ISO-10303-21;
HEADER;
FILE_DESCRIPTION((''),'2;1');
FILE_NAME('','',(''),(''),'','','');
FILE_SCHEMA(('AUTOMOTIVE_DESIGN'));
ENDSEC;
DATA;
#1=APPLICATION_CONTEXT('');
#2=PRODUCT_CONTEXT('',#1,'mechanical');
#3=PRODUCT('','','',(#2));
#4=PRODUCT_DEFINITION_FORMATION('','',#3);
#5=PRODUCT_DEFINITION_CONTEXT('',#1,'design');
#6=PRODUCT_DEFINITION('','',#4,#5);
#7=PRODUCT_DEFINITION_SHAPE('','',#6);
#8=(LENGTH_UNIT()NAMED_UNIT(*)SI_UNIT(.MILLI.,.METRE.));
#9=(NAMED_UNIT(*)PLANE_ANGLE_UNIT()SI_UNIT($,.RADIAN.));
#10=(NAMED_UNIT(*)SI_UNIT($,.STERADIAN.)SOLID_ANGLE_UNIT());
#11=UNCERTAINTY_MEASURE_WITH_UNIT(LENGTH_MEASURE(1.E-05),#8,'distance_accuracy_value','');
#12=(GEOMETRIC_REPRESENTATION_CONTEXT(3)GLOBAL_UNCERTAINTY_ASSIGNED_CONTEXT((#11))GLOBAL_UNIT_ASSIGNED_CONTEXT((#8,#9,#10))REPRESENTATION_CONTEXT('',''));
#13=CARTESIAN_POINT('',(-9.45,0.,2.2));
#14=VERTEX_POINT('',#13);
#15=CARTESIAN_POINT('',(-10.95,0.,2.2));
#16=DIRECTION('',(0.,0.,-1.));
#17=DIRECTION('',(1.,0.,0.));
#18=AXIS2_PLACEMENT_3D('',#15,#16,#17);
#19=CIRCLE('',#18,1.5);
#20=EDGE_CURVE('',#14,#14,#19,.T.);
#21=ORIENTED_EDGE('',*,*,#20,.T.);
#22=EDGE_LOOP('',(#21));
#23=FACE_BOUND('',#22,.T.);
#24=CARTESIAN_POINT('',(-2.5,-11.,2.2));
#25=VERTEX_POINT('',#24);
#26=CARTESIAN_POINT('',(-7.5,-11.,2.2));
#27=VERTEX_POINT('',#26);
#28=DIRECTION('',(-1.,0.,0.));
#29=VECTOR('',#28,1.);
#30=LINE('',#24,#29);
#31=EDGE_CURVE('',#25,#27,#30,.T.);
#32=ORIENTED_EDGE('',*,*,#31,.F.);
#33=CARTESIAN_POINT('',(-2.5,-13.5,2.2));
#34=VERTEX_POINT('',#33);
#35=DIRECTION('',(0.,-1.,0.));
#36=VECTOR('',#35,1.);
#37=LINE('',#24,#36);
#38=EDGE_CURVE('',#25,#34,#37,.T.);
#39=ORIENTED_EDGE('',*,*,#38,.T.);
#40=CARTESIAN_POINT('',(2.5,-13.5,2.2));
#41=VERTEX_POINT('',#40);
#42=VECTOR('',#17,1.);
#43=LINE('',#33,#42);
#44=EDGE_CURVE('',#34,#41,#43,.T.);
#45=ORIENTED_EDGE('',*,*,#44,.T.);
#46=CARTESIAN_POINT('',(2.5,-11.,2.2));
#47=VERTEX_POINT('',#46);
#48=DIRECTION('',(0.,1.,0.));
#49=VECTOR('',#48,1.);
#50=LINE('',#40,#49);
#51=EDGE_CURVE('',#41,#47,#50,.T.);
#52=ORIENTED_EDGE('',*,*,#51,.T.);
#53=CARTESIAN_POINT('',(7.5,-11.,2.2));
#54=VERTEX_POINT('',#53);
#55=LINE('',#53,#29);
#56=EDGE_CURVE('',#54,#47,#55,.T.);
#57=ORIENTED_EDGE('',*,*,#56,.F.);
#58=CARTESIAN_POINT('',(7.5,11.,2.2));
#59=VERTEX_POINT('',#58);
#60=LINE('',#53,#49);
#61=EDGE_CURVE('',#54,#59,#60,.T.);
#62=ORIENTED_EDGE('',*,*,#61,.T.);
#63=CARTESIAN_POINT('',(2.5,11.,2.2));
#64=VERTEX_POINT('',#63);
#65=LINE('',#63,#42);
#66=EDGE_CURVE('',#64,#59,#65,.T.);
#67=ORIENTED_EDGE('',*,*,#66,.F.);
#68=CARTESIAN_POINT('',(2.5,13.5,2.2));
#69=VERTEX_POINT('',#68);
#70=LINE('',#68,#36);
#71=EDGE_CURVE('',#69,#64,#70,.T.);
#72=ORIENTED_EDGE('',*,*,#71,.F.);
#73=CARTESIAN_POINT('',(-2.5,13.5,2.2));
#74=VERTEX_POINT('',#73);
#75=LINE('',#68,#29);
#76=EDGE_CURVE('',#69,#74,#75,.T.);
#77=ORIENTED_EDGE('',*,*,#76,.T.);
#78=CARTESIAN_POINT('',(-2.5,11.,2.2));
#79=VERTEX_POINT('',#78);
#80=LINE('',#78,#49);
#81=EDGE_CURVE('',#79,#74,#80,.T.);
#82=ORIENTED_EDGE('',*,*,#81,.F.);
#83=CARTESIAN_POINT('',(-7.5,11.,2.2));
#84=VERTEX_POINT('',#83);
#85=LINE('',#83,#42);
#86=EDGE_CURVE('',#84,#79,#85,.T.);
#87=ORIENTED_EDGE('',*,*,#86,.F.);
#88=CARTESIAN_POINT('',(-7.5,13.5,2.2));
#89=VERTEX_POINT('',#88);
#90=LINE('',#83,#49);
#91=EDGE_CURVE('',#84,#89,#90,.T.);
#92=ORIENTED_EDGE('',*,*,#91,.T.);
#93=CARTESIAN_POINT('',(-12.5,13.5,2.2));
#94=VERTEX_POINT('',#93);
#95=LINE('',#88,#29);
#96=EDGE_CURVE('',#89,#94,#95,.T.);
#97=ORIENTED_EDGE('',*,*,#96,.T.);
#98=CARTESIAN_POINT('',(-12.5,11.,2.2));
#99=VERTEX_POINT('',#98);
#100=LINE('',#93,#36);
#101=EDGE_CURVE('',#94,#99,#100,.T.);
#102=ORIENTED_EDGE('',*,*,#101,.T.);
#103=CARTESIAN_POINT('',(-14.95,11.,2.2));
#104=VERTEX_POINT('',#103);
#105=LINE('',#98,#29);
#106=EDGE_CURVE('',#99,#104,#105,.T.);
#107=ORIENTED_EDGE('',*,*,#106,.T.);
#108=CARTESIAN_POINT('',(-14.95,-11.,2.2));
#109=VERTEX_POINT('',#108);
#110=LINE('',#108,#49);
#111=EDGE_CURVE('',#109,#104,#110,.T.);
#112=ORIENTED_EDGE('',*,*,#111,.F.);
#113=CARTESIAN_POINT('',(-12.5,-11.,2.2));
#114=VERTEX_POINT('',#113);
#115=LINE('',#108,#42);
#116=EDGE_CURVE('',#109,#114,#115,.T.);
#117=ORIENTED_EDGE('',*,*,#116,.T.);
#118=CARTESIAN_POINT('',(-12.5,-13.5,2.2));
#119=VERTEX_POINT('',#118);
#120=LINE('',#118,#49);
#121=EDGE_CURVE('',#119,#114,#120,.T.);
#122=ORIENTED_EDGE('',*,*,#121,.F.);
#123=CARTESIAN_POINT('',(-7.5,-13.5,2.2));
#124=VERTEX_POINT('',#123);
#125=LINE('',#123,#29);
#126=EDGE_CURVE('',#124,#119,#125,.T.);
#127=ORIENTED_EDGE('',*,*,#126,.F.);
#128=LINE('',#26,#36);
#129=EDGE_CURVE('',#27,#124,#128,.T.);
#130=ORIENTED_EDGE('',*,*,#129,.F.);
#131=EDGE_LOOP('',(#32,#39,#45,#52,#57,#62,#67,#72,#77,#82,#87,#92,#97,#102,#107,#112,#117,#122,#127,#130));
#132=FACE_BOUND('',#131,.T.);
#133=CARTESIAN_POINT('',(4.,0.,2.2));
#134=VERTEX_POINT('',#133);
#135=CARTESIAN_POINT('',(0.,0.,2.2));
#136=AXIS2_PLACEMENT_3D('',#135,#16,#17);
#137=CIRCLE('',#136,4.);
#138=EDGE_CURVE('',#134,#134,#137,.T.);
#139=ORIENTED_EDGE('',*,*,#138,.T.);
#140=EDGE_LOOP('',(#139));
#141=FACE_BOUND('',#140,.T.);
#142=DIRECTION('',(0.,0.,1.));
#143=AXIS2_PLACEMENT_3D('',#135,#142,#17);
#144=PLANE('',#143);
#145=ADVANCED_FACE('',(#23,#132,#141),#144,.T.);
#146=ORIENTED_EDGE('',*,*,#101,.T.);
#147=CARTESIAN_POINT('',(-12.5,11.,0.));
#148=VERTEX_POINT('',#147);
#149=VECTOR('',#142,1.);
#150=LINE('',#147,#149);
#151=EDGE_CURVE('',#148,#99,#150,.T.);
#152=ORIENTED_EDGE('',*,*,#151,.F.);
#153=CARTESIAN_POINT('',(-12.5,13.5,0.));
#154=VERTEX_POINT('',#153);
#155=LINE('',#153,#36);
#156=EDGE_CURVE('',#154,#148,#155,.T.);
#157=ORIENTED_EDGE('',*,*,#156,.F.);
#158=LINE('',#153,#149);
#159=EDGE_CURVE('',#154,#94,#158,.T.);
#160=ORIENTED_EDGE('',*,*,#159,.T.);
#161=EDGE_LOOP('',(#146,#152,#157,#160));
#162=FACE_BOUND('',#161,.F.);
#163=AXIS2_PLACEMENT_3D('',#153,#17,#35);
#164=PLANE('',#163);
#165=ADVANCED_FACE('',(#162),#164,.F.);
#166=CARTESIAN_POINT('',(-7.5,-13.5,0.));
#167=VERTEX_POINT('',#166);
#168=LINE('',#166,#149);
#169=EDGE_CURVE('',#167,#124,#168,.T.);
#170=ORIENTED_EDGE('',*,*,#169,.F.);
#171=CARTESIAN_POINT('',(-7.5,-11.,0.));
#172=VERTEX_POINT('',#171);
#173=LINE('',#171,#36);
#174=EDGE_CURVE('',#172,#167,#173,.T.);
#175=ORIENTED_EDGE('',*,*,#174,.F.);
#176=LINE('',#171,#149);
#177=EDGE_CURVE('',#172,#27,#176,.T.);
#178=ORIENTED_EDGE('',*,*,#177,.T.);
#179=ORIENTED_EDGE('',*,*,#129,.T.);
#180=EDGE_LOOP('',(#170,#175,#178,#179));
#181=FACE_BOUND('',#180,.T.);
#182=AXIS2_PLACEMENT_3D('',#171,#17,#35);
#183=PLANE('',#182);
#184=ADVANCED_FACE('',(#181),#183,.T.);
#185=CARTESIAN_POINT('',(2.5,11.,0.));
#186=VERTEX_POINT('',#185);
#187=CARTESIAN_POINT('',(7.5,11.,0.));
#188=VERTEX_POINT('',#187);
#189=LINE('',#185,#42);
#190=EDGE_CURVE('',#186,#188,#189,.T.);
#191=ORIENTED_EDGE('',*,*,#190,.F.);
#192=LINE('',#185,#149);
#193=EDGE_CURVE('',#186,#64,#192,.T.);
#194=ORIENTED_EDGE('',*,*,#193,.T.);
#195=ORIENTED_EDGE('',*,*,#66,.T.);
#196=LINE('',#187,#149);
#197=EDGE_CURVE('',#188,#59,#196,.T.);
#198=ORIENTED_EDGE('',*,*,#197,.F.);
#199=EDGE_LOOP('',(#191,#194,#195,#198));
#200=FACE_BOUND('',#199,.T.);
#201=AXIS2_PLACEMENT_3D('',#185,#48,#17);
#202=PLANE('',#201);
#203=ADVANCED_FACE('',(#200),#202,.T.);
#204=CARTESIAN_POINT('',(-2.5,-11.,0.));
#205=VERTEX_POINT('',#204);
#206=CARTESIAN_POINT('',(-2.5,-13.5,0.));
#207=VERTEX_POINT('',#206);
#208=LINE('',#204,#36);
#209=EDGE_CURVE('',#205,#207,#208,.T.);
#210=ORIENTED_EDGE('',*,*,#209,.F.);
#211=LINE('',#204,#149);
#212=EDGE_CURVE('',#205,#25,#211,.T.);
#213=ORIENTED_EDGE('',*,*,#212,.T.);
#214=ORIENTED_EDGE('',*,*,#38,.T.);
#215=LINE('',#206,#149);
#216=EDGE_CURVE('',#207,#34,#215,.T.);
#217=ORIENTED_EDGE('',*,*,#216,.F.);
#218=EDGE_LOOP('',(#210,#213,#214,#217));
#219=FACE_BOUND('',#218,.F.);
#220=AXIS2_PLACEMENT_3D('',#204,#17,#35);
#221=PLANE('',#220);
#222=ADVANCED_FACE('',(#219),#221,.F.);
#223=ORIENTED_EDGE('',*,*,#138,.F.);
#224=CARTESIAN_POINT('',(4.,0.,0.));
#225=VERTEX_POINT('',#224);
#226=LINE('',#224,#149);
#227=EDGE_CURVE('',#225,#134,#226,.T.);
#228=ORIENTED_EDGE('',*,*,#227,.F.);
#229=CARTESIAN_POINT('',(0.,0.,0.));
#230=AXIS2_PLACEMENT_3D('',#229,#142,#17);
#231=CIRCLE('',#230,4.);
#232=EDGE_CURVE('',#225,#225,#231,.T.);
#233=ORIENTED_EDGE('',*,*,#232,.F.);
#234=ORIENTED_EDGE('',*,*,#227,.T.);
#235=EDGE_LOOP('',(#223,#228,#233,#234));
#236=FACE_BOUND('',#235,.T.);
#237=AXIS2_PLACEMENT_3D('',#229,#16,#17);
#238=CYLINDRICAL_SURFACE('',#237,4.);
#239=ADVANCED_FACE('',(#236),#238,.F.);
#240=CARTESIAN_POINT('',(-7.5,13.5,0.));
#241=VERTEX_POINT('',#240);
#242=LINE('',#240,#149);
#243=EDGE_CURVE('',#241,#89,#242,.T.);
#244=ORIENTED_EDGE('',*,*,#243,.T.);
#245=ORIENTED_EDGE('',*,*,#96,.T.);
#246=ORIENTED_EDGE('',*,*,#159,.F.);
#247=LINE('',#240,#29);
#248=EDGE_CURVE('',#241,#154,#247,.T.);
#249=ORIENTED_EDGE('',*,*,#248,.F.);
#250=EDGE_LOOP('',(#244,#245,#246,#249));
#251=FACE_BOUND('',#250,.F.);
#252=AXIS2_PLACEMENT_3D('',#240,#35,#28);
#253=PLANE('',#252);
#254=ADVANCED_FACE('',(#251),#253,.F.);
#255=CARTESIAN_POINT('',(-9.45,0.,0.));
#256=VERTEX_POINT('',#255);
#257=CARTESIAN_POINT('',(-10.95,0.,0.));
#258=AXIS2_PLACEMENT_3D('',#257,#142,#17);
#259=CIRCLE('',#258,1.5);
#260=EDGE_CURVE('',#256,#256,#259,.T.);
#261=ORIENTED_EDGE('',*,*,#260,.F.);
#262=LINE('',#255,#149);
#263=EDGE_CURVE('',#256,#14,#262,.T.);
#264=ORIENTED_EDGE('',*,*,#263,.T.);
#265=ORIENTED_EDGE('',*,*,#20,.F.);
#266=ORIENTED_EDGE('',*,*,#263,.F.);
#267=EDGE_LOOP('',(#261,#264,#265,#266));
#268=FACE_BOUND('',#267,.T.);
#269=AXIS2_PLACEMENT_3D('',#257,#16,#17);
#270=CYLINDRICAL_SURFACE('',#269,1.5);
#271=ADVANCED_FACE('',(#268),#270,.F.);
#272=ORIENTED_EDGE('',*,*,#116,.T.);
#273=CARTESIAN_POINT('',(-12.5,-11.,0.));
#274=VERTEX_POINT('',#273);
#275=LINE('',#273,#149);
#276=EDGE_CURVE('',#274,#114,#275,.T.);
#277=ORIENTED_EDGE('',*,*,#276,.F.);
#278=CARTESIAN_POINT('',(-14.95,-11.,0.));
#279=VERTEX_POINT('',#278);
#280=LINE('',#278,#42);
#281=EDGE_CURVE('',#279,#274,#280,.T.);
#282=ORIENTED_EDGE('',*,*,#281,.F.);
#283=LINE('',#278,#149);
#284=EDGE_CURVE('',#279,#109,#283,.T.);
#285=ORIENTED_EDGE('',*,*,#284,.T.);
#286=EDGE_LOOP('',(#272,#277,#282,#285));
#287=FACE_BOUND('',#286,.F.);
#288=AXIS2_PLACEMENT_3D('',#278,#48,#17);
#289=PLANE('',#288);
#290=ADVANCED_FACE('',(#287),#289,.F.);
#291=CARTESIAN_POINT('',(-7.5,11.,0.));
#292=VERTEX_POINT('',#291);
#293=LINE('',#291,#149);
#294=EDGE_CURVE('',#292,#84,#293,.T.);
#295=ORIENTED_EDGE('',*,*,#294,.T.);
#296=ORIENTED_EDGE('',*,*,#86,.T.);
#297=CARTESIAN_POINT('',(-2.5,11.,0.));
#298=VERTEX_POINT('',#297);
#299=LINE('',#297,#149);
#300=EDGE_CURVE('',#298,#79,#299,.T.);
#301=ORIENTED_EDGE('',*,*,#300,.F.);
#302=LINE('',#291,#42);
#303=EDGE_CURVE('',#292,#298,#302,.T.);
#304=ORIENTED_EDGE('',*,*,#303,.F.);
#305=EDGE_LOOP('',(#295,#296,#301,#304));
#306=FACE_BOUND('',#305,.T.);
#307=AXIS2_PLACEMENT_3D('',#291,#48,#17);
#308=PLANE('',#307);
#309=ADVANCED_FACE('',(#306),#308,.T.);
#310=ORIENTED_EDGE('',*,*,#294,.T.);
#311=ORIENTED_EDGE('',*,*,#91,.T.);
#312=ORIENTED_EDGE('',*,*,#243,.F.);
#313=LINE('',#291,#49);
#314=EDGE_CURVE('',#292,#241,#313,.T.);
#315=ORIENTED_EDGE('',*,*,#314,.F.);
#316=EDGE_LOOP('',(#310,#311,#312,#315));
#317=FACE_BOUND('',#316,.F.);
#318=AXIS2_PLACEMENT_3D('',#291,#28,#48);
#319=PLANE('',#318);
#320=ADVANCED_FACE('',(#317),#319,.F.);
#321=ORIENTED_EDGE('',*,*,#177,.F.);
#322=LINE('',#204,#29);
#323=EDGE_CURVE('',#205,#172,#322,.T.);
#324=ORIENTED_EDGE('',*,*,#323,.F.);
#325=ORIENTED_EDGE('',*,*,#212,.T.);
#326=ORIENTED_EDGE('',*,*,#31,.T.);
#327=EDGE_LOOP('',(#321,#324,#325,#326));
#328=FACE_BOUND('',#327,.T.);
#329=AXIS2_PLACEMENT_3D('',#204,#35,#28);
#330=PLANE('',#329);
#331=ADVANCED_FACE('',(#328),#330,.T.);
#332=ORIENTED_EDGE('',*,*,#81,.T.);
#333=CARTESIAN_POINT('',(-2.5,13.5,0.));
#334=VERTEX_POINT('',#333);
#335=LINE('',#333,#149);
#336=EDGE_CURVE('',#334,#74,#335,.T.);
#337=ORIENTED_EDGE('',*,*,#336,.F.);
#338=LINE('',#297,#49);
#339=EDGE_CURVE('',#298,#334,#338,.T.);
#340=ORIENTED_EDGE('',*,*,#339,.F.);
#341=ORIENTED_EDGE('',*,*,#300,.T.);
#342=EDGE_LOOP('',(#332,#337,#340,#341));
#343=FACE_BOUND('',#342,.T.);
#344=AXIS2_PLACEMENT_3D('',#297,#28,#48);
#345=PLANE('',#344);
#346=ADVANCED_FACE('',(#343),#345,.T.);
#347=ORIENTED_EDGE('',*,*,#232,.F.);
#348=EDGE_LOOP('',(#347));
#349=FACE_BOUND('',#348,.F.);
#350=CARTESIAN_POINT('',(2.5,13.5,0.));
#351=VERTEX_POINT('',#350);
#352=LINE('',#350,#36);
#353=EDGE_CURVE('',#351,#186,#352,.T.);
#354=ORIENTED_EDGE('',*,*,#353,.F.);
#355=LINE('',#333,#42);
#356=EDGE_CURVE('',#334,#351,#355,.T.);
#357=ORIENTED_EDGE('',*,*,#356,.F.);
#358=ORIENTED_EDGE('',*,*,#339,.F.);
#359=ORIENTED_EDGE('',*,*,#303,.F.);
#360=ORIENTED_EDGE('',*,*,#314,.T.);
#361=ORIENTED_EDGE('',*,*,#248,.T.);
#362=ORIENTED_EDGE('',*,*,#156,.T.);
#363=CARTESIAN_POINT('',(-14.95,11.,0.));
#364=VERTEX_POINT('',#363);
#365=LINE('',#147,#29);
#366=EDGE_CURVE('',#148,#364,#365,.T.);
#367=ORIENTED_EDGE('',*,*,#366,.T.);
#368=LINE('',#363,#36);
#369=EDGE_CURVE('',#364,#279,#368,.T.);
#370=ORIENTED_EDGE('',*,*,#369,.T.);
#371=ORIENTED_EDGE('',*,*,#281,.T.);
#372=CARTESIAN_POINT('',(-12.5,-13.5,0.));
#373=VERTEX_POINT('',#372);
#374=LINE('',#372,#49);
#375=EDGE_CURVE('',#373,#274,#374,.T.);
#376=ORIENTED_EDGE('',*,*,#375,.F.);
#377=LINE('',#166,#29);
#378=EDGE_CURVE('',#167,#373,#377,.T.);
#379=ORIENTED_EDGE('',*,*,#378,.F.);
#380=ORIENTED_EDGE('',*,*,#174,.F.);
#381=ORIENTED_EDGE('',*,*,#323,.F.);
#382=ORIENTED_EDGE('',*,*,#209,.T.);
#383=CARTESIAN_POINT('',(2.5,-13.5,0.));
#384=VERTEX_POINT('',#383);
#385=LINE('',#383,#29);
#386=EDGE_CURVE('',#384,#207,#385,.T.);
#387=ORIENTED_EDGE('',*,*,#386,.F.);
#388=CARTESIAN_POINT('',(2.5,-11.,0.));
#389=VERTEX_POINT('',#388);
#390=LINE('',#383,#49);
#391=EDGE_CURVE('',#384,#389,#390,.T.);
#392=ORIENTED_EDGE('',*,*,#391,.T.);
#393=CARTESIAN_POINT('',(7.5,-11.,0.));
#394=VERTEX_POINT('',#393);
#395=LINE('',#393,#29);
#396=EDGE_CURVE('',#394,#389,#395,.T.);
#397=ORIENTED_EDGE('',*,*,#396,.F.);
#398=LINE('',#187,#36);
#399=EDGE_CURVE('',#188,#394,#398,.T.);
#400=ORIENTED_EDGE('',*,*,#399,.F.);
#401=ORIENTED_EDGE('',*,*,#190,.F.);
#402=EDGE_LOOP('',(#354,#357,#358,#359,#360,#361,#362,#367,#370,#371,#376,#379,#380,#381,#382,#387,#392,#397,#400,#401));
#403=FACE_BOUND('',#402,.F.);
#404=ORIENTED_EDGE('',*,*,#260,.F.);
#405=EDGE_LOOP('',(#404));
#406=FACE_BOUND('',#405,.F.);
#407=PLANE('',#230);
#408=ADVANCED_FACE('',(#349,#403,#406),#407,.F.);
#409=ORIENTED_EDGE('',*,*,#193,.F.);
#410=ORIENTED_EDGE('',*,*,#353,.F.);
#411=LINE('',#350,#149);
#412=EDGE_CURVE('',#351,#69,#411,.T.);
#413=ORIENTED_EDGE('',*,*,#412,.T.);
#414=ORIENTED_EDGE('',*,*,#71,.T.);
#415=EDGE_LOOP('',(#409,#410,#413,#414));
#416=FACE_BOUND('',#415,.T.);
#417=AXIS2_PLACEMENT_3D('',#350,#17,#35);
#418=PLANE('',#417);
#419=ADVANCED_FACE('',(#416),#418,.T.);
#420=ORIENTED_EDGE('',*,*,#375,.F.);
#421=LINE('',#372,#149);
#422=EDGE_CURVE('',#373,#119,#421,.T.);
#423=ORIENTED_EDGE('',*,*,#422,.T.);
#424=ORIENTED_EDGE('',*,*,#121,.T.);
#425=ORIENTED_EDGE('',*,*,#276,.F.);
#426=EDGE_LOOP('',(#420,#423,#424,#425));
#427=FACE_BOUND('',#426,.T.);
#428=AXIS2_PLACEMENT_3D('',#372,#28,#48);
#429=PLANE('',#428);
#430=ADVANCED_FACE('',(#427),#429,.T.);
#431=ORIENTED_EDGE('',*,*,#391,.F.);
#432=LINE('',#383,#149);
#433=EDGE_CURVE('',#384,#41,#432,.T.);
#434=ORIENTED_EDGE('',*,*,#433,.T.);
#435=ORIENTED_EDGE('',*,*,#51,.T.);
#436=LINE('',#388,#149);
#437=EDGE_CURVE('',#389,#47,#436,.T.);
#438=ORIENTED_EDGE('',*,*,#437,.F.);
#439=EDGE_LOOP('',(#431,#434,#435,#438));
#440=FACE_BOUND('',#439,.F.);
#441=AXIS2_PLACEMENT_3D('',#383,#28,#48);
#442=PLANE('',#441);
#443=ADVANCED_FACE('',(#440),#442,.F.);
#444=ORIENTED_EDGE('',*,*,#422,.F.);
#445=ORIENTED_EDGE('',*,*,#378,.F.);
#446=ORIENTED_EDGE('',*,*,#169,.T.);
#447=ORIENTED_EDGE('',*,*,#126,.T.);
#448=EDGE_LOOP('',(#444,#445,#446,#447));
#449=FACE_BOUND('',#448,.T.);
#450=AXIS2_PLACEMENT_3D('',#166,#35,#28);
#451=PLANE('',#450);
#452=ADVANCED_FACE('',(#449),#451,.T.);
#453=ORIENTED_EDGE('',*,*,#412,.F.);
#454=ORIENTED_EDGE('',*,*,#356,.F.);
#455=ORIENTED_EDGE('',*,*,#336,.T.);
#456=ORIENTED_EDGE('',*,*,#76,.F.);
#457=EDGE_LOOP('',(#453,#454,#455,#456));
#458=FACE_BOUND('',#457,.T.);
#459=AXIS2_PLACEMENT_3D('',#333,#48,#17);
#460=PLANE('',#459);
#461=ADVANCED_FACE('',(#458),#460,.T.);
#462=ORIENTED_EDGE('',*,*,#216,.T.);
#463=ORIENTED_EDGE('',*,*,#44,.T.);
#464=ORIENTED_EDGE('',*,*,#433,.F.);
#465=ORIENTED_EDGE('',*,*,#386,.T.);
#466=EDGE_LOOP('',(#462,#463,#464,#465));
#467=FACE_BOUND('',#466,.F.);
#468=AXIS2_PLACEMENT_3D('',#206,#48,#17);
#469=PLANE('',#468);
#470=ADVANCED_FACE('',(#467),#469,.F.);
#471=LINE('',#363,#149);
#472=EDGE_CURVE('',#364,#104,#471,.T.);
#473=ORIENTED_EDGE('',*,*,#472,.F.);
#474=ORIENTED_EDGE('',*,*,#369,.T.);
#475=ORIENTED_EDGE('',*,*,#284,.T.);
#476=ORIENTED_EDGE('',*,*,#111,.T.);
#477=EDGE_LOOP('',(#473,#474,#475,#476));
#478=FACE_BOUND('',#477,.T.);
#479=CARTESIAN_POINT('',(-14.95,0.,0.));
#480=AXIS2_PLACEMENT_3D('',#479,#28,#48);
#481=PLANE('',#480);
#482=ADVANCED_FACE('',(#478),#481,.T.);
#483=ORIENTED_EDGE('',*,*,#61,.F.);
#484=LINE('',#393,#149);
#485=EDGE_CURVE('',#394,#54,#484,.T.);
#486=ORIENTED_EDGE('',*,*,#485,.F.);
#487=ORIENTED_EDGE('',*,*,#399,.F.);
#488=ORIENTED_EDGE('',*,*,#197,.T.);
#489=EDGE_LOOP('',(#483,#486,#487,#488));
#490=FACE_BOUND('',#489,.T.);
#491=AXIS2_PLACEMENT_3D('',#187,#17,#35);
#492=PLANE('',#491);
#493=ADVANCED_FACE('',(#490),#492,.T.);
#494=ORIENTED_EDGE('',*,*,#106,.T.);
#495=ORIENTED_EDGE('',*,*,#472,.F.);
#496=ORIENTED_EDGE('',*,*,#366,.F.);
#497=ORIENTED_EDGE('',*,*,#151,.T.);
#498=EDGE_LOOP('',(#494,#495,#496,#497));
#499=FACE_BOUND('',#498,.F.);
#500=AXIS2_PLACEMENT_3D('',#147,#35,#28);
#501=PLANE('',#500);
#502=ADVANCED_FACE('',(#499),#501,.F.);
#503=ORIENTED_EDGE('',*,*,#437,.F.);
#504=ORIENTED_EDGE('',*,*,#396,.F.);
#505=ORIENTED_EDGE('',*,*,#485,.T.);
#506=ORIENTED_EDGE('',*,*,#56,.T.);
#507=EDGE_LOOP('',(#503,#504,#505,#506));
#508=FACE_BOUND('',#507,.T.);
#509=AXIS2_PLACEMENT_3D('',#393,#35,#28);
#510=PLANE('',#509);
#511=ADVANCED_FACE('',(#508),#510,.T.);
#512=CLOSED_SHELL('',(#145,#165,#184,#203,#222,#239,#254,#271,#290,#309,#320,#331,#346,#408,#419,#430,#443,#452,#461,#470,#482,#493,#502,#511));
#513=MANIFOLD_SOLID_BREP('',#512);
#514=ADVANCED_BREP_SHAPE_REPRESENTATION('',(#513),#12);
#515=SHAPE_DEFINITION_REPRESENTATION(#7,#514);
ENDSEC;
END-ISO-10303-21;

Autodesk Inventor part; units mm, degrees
ref_plane "YZ Plane" through (0, 0, 0) normal (1, 0, 0) x (0, 1, 0)
ref_plane "XZ Plane" through (0, 0, 0) normal (0, 1, 0) x (-1, 0, 0)
ref_plane "XY Plane" through (0, 0, 0) normal (0, 0, 1) x (1, 0, 0)
sketch "Sketch1" plane through (0, 0, 0) normal (0, 0, 1) x (1, 0, 0)
  line L0 (-19.44, 0) -> (11.99, 0) projected
  line L1 (0, -18.9) -> (0, 18.9) projected
  line L2 (-2.5, -11) -> (-2.5, -13.5)
  line L3 (-2.5, -13.5) -> (2.5, -13.5)
  line L4 (2.5, -13.5) -> (2.5, -11)
  line L5 (-2.5, 11) -> (-2.5, 13.5)
  line L6 (-2.5, 13.5) -> (2.5, 13.5)
  line L7 (2.5, 13.5) -> (2.5, 11)
  line L8 (7.5, 11) -> (7.5, -11)
  line L9 (-7.5, 11) -> (-2.5, 11)
  line L10 (2.5, 11) -> (7.5, 11)
  line L11 (7.5, -11) -> (2.5, -11)
  line L12 (-2.5, -11) -> (-7.5, -11)
  circle A0 centre (0, 0) radius 4
  line L13 (-12.5, 11) -> (-14.95, 11)
  line L14 (-14.95, -11) -> (-12.5, -11)
  line L15 (-7.5, -11) -> (-7.5, -13.5)
  line L16 (-7.5, -13.5) -> (-12.5, -13.5)
  line L17 (-12.5, -13.5) -> (-12.5, -11)
  line L18 (-7.5, 11) -> (-7.5, 13.5)
  line L19 (-7.5, 13.5) -> (-12.5, 13.5)
  line L20 (-12.5, 13.5) -> (-12.5, 11)
  line L21 (-14.95, -11) -> (-14.95, 11)
  circle A1 centre (-10.95, 0) radius 1.5
  dimension "d8" = 2.5
  dimension "d20" = 8
  dimension "d24" = 5
  dimension "d25" = 5
  dimension "d28" = 3
  dimension "d29" = 4
extrude "Extrusion1" add sketch "Sketch1" along normal blind 2.2 contours L21 L13 L20 L19 L18 L9 L5 L6 L1 A0 L0 A1 | L0 A1 A0 L1 L3 L2 L12 L15 L16 L17 L14 L21 | L1 L6 L7 L10 L8 L0 A0 | A0 L0 L8 L11 L4 L3 L1
equation "\"d2\" = 0.5 * d1"
equation "\"d15\" = 0.5 * d14"
equation "\"d1\" = 50"
equation "\"d14\" = 22"
properties part number "Acrylic_2.2_UpperArmBridge_cameraMount"
